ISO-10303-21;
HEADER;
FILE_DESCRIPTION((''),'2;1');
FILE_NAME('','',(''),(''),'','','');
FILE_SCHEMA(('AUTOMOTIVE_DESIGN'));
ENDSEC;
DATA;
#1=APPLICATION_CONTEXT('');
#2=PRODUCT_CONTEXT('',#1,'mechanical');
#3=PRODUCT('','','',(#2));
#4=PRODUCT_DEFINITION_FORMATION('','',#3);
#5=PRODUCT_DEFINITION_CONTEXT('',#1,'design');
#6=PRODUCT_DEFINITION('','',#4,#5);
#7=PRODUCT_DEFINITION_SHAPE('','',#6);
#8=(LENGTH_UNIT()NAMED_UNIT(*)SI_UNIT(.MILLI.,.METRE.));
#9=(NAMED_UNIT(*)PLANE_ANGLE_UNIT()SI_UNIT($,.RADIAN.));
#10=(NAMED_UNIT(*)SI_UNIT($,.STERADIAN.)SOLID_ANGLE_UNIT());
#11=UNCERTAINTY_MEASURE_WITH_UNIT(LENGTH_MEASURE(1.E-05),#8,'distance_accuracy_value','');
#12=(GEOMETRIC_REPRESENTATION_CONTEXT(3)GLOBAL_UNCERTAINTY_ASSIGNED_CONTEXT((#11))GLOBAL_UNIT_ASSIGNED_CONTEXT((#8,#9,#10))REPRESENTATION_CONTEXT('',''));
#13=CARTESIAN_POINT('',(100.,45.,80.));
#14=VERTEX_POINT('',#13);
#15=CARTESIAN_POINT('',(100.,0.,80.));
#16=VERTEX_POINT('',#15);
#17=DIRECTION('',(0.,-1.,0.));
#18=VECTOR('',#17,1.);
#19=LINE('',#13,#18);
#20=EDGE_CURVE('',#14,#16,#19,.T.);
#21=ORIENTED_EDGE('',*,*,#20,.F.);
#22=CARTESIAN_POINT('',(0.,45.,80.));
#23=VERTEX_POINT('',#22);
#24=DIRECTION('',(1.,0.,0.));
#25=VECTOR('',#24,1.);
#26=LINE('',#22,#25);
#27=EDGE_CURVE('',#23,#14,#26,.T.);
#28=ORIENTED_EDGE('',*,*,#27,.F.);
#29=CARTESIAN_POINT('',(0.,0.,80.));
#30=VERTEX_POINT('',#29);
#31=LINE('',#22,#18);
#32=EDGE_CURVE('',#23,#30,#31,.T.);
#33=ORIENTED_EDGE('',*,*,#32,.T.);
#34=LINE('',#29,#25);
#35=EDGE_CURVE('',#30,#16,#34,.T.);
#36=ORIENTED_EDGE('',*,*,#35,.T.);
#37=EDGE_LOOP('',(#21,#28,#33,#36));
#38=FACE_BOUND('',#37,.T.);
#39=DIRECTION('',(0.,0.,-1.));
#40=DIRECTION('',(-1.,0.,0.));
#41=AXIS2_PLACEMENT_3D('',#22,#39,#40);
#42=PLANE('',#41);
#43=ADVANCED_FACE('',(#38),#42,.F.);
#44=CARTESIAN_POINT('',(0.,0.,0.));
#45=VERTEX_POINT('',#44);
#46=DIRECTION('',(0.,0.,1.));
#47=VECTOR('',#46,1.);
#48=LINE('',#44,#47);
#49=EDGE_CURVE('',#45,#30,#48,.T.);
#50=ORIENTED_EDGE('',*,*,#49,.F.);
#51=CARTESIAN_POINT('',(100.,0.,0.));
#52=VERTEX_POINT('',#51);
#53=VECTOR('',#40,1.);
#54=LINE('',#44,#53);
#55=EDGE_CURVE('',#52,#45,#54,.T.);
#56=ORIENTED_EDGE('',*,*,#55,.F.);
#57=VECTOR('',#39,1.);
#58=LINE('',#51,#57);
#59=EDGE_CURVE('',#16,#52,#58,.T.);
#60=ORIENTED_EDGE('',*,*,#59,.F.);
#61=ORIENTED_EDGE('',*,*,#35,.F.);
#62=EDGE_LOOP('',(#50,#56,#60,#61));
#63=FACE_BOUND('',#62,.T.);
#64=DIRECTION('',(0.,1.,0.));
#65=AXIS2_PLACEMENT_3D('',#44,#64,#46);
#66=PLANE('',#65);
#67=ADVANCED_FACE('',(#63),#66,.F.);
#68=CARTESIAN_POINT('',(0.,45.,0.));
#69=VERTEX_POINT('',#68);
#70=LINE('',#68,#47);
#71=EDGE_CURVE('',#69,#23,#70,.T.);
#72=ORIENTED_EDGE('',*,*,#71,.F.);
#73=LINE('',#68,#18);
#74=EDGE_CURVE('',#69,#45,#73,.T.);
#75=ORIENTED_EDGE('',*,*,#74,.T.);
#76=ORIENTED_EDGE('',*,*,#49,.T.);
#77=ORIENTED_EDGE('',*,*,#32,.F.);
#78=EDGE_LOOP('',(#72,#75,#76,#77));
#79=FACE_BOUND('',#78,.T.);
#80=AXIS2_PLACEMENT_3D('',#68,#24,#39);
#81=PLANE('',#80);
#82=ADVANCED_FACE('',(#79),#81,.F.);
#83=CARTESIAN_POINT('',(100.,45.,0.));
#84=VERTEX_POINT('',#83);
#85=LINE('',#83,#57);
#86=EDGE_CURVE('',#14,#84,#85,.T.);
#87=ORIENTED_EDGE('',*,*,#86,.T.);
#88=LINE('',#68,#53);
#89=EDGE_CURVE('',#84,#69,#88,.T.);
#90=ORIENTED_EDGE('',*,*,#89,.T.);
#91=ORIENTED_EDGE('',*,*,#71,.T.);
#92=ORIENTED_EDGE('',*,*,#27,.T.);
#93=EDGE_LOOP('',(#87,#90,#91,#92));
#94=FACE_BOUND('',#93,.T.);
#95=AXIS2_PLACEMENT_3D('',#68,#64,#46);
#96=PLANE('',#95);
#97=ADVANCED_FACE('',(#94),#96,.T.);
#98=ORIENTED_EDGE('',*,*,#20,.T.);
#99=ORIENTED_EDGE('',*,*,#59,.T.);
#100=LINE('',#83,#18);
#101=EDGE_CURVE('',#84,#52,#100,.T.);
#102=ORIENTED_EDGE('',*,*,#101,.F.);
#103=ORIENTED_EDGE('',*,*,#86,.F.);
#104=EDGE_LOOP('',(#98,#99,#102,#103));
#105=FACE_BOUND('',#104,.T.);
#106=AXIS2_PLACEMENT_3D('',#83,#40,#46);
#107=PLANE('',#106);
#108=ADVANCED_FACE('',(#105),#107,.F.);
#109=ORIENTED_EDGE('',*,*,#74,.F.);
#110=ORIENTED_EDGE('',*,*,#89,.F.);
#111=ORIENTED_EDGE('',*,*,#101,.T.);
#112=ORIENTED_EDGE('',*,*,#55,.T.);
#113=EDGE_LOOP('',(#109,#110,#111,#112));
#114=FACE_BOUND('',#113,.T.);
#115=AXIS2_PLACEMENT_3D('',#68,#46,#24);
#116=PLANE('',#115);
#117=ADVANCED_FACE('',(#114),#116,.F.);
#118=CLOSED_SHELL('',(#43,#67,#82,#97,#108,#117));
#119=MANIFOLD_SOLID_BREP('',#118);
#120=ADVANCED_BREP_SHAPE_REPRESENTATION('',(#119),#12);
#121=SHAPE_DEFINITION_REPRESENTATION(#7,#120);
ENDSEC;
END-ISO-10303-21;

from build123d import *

# Parameters (mm, degrees)
SKETCH_1_W      = 100
SKETCH_1_H      = 80
EXTRUDE_1_DEPTH = 45


with BuildPart() as part:
    # 草图1 → 凸台-拉伸1 (new body)
    with BuildSketch(Plane(origin=(0, 0, 0), x_dir=(1, 0, 0), z_dir=(0, 1, 0))):
        with Locations((50, -40)):
            Rectangle(SKETCH_1_W, SKETCH_1_H)
    extrude(amount=EXTRUDE_1_DEPTH)


solid = part.part
